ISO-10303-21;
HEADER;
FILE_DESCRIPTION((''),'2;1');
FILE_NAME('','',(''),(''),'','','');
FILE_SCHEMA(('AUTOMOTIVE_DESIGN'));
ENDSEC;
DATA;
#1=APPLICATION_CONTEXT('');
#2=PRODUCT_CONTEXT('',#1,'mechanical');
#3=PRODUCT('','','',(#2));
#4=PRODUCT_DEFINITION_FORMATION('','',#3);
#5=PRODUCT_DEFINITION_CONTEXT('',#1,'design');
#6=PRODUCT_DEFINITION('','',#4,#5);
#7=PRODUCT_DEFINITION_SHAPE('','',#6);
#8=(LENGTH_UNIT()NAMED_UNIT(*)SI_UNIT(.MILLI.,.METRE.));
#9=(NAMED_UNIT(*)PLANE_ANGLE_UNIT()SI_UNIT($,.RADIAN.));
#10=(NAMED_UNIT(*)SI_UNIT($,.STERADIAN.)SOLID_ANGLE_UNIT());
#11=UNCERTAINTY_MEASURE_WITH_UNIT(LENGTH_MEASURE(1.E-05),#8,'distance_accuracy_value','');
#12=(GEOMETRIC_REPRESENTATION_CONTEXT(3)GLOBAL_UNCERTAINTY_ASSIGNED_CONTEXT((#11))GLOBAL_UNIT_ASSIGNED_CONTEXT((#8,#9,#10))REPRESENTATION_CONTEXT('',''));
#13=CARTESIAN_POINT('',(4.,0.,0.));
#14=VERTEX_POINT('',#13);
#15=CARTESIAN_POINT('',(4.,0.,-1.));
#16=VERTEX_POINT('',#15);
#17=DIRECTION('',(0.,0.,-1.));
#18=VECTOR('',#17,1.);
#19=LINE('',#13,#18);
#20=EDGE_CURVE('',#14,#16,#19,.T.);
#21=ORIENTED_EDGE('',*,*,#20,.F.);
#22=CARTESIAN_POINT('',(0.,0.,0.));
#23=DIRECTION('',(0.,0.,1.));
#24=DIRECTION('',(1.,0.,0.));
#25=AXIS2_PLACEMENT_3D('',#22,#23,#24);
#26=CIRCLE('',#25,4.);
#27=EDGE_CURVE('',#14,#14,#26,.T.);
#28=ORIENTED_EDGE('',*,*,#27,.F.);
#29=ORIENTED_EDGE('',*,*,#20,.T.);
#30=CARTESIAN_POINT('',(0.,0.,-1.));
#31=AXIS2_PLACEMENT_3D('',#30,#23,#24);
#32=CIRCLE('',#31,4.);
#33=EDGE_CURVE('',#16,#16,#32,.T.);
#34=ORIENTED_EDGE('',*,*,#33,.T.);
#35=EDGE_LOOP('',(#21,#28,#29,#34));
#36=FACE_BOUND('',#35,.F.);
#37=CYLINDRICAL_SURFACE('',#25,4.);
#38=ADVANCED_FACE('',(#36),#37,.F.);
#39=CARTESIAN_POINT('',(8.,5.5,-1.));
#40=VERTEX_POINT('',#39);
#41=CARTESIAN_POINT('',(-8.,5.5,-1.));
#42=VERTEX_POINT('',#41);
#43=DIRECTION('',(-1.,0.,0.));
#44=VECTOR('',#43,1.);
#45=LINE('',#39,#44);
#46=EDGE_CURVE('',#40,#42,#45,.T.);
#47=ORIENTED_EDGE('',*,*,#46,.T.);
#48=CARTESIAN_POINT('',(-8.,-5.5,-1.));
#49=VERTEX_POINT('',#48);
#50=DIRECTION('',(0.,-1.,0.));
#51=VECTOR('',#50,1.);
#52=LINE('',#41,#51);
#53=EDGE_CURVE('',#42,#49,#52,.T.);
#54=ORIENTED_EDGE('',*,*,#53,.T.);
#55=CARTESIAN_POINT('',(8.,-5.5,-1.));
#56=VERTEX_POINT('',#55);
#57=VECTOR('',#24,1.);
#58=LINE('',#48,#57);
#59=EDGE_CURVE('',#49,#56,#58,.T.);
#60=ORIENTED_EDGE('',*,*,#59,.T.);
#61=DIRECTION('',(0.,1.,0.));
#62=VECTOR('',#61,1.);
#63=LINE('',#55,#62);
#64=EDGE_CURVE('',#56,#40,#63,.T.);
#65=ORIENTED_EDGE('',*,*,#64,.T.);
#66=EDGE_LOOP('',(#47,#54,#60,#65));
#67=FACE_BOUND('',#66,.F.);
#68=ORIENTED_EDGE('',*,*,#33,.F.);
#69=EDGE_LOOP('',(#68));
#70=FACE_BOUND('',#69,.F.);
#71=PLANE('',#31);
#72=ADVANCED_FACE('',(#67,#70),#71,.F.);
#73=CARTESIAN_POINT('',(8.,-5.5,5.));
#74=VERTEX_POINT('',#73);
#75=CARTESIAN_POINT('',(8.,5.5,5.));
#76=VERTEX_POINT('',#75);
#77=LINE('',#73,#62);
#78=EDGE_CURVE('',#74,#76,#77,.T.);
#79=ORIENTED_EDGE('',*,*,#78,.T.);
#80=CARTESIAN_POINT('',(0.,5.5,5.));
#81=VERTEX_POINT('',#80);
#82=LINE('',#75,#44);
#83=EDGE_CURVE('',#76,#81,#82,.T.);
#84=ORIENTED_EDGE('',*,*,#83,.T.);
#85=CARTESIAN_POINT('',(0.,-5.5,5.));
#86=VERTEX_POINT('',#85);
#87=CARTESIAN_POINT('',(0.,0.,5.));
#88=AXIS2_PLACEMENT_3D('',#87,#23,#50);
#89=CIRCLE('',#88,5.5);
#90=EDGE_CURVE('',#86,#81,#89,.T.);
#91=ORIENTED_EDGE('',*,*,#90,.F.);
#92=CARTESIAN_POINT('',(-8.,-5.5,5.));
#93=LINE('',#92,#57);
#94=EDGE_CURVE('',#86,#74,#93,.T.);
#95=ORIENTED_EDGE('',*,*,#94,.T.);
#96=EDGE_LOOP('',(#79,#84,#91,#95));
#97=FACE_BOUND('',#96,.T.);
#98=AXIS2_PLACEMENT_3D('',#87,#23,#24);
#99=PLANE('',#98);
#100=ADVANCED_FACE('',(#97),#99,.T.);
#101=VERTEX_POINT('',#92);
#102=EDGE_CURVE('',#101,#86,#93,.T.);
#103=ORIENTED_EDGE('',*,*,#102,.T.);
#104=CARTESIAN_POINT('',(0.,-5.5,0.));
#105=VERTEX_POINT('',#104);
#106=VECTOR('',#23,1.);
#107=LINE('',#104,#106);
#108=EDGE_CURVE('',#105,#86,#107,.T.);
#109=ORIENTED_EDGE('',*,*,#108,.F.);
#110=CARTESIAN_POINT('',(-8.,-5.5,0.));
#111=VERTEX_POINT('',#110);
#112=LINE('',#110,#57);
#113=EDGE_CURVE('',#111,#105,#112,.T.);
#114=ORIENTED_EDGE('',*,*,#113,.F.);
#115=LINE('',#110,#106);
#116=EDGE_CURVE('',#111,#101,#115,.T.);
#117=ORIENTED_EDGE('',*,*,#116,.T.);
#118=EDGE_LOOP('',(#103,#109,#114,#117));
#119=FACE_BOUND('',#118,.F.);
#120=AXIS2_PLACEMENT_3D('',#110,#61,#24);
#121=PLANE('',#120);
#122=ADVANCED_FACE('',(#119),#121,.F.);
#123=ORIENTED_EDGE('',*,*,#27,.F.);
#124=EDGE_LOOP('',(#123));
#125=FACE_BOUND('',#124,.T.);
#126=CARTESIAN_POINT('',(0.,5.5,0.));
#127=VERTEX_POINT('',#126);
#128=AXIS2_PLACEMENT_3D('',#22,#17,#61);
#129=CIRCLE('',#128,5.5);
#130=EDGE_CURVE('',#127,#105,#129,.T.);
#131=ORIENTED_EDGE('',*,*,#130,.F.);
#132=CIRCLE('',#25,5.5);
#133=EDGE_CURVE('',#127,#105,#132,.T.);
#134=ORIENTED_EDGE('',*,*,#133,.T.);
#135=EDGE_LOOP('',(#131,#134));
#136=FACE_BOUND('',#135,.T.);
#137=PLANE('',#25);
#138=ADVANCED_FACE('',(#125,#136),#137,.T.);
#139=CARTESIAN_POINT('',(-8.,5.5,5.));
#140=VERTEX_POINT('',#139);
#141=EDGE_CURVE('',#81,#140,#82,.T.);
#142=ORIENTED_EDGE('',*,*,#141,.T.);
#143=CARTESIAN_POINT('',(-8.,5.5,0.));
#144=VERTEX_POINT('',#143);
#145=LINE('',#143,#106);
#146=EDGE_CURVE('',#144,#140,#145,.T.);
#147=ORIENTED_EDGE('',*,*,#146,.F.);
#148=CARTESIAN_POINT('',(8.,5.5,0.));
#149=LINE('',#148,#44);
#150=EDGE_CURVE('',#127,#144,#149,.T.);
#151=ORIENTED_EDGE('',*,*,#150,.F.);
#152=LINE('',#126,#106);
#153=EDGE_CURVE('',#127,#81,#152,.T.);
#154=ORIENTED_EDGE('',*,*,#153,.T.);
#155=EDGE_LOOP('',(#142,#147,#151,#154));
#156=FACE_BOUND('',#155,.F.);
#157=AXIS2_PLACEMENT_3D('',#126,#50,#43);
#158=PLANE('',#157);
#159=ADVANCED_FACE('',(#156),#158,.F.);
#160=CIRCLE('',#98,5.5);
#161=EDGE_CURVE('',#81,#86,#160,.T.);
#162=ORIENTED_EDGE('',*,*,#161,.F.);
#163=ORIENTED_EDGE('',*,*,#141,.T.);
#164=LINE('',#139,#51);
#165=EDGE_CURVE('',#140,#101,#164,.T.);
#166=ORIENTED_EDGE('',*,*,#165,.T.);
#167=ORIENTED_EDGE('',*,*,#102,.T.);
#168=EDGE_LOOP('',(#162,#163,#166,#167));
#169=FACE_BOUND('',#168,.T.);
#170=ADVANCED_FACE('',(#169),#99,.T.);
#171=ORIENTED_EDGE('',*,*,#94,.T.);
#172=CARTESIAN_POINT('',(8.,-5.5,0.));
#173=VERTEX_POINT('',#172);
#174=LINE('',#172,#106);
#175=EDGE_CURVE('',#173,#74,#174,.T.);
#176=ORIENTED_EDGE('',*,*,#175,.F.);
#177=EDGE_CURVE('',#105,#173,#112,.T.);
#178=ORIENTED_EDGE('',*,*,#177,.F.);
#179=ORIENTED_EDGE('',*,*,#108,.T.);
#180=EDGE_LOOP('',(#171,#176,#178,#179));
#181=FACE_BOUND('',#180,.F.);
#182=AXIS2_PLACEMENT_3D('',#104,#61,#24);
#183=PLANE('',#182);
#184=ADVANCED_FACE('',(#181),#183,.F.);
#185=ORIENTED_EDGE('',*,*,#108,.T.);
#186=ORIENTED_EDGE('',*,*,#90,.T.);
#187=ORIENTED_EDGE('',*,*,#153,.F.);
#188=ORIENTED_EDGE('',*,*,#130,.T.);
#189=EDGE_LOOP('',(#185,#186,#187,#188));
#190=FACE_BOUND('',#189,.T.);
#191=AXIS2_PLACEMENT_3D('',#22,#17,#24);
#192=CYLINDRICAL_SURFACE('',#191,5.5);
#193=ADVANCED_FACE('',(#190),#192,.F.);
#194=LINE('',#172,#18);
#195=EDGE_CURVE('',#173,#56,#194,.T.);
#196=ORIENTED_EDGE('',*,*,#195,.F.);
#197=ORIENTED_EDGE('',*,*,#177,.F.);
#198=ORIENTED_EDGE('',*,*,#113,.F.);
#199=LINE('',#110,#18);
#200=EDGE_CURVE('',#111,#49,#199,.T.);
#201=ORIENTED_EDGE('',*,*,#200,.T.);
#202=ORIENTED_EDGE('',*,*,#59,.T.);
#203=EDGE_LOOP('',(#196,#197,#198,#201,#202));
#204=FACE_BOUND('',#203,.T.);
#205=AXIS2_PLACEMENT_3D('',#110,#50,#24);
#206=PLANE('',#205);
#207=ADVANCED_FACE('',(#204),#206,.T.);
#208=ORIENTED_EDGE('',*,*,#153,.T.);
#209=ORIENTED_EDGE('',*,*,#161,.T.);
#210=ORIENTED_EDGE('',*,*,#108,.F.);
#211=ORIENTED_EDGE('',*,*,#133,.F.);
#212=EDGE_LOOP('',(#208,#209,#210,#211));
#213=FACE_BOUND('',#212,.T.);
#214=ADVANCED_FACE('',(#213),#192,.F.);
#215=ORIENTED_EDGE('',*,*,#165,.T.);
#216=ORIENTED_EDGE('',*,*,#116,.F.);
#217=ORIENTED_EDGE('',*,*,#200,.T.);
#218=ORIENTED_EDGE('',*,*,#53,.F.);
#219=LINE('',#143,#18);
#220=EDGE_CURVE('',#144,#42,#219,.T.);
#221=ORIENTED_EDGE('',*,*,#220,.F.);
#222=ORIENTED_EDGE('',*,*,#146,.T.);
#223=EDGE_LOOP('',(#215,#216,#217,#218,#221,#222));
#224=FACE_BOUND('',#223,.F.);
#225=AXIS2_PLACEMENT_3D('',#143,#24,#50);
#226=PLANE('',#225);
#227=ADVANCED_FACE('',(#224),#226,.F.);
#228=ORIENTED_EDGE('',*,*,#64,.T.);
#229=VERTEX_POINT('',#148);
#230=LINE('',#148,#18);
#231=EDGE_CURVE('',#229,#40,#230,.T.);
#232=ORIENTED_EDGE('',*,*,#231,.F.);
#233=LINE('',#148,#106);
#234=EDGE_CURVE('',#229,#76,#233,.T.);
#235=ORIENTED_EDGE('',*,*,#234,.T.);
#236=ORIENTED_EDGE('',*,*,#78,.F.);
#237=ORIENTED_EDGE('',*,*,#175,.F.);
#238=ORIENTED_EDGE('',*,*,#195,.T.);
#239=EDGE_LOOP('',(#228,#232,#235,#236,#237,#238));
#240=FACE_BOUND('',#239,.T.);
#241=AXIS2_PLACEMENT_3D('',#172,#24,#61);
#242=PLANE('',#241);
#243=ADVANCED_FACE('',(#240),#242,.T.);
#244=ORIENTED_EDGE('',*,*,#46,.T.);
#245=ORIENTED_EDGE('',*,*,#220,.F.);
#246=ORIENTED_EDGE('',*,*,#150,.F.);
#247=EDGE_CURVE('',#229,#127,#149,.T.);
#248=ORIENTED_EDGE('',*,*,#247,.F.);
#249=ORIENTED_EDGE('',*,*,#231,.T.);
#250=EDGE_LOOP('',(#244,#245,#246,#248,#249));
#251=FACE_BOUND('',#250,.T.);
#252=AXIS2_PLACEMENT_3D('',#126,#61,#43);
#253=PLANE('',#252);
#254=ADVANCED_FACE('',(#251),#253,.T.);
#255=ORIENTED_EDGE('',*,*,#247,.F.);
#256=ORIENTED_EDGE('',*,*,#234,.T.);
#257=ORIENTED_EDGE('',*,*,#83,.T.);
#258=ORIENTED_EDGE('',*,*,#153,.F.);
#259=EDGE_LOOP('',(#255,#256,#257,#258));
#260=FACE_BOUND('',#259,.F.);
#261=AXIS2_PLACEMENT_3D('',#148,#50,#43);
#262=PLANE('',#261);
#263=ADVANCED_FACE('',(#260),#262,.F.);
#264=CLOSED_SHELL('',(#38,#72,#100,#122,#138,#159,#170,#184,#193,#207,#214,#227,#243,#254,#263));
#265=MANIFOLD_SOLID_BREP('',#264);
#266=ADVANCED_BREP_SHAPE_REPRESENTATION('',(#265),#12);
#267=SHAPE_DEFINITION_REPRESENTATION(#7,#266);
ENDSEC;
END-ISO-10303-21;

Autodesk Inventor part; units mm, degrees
ref_plane "YZ Plane" through (0, 0, 0) normal (1, 0, 0) x (0, 1, 0)
ref_plane "XZ Plane" through (0, 0, 0) normal (0, 1, 0) x (-1, 0, 0)
ref_plane "XY Plane" through (0, 0, 0) normal (0, 0, 1) x (1, 0, 0)
sketch "Skizze1" plane through (0, 0, 0) normal (0, 0, 1) x (1, 0, 0)
  line L0 (-8, -5.5) -> (8, -5.5)
  line L1 (8, -5.5) -> (8, 5.5)
  line L2 (8, 5.5) -> (-8, 5.5)
  line L3 (-8, 5.5) -> (-8, -5.5)
  line L4 (-8, -5.5) -> (8, 5.5) construction
  line L5 (8, -5.5) -> (-8, 5.5) construction
  circle A0 centre (0, 0) radius 5.5
  circle A1 centre (0, 0) radius 4
  dimension "d0" = 11
  dimension "d1" = 16
  dimension "d6" = 8
extrude "Extrusion1" add sketch "Skizze1" along normal blind 5 contours L3 L2 A0 L0 | A0 L2 L1 L0
extrude "Extrusion2" add sketch "Skizze1" against normal blind 1 contours L3 L2 A0 L0 | A0 L2 L1 L0 | A0 | A1
extrude "Extrusion3" cut sketch "Skizze1" against normal through all contours A1
properties part number "rotSpanner" material "ABS-Kunststoff"
